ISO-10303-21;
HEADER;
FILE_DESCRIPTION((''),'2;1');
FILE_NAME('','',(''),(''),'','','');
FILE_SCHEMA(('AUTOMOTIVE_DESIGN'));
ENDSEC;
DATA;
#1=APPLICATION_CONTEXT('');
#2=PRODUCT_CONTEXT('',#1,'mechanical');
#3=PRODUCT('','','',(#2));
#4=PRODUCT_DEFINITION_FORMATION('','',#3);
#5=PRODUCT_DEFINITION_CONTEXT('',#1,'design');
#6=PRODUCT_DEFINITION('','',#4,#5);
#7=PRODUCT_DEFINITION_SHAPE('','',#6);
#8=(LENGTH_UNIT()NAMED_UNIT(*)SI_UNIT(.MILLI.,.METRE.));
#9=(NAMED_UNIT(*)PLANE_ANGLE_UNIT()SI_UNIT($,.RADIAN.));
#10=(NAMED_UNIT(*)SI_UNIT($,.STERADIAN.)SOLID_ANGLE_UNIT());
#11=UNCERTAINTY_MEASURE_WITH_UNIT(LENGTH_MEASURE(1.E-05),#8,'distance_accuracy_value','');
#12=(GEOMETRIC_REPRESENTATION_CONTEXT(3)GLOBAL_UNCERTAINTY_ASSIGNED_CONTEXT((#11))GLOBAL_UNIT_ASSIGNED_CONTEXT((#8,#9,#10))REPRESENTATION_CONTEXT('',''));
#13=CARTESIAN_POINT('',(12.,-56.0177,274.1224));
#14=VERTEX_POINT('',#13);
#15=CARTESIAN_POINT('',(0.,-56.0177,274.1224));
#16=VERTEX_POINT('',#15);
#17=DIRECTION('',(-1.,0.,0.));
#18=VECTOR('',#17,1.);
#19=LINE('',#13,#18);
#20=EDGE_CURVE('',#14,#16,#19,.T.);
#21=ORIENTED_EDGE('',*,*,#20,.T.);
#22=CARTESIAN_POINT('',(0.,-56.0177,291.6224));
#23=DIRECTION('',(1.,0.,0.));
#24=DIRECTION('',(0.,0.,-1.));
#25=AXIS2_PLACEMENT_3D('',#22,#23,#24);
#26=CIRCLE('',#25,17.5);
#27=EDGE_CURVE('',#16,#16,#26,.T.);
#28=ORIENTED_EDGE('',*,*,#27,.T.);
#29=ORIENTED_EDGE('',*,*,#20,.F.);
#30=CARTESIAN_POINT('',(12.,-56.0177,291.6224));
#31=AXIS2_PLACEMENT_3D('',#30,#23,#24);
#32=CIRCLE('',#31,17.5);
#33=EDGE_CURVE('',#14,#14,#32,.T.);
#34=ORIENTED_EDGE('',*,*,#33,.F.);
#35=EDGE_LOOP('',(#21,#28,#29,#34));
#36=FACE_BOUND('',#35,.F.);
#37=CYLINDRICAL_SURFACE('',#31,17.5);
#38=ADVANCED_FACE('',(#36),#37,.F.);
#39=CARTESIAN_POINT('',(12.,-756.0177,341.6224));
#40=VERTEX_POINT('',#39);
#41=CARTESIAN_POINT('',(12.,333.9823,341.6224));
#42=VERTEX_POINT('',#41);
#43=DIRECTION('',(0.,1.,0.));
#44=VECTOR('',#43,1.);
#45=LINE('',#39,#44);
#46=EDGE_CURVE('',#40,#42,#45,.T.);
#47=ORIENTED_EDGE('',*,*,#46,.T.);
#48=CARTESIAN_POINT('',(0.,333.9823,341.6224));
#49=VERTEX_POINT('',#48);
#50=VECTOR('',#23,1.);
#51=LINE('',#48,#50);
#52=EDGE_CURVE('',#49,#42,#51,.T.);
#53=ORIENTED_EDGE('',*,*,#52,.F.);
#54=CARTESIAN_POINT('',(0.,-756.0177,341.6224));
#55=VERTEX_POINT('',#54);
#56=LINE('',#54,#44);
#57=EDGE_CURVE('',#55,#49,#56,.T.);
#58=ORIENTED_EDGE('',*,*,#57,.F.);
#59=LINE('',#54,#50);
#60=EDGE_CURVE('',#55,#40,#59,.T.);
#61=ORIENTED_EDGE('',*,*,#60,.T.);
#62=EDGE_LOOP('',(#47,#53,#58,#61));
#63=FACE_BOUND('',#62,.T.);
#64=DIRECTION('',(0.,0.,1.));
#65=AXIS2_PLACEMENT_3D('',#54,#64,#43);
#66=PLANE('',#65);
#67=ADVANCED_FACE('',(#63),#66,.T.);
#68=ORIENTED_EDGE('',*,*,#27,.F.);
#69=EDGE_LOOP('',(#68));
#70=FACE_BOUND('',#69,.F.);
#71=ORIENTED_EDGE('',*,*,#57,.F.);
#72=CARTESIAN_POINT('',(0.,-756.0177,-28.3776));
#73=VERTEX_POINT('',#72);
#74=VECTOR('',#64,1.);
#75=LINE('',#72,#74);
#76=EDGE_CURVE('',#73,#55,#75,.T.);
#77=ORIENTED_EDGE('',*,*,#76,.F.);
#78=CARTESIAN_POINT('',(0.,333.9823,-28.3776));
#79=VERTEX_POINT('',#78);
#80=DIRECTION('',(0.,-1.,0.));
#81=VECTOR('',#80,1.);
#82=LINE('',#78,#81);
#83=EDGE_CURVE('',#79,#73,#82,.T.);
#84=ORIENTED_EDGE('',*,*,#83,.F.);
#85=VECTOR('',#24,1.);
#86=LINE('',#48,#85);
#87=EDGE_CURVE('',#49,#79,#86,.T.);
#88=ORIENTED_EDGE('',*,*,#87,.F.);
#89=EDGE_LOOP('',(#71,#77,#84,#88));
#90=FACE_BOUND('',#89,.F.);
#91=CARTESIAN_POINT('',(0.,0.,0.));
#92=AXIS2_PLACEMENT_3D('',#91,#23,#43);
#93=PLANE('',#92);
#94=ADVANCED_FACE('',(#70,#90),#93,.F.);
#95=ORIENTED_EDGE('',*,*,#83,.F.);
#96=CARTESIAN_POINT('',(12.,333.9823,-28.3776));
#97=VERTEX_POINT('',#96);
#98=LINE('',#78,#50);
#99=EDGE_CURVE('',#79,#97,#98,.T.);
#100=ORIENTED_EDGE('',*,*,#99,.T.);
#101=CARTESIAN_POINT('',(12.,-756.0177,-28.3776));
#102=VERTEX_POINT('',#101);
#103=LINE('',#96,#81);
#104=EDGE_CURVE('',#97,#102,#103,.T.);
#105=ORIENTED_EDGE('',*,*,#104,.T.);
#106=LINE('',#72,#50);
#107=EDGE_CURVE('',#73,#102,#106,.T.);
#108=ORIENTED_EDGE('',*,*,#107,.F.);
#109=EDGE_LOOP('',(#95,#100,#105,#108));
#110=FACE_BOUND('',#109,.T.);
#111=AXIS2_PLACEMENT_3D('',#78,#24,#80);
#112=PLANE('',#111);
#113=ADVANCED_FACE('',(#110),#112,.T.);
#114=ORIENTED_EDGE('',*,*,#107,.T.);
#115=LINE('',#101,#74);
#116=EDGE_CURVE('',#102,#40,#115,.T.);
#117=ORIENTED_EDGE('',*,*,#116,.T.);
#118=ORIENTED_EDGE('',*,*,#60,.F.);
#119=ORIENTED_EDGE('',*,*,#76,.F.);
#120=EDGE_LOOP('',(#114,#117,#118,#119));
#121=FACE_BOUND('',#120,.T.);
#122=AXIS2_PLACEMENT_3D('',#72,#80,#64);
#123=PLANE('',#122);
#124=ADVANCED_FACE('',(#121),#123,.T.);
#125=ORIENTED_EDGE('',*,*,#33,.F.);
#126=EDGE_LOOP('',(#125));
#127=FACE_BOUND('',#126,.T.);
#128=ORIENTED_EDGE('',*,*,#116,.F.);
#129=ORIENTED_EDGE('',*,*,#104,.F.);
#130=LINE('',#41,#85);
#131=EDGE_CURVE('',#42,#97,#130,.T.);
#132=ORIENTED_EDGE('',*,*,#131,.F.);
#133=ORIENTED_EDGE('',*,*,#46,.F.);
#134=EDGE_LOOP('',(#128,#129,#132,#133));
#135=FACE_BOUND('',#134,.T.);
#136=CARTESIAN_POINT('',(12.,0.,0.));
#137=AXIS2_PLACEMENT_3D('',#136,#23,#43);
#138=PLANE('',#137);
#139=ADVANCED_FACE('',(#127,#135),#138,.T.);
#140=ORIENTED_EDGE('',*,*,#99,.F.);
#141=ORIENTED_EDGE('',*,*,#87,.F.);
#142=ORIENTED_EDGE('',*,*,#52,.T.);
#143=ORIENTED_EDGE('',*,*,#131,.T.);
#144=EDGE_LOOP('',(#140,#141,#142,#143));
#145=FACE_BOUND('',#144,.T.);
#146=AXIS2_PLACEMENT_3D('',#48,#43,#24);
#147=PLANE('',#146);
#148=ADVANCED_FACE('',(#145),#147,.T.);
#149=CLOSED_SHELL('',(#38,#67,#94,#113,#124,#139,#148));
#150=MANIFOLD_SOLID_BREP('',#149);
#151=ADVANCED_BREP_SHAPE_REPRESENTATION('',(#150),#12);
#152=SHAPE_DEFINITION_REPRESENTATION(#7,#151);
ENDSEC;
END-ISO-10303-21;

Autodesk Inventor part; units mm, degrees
ref_plane "YZ Plane" through (0, 0, 0) normal (1, 0, 0) x (0, 1, 0)
ref_plane "XZ Plane" through (0, 0, 0) normal (0, 1, 0) x (-1, 0, 0)
ref_plane "XY Plane" through (0, 0, 0) normal (0, 0, 1) x (1, 0, 0)
sketch "Sketch1" plane through (0, 0, 0) normal (1, 0, 0) x (0, 1, 0)
  line L0 (-756.0177, 341.6224) -> (333.9823, 341.6224)
  line L1 (333.9823, 341.6224) -> (333.9823, -28.3776)
  line L2 (333.9823, -28.3776) -> (-756.0177, -28.3776)
  line L3 (-756.0177, -28.3776) -> (-756.0177, 341.6224)
  point P0 (0, 0)
  dimension "d0" = 370
  dimension "d1" = 1090
extrude "Extrusion1" add sketch "Sketch1" along normal blind 12
sketch "Sketch2" plane through (12, 0, 0) normal (1, 0, 0) x (0, 0, -1)
  line L0 (28.3776, -756.0177) -> (28.3776, 333.9823) projected
  line L1 (28.3776, 333.9823) -> (-341.6224, 333.9823) projected
  line L2 (-341.6224, 333.9823) -> (-341.6224, -756.0177) projected
  line L3 (-341.6224, -756.0177) -> (28.3776, -756.0177) projected
  circle A0 centre (-291.6224, -56.0177) radius 17.5
  dimension "d4" = 35
  dimension "d5" = 50
  dimension "d6" = 700
extrude "Extrusion2" cut sketch "Sketch2" against normal up to next contours A0
properties part number "CUT PART R-01" material "Wood (Birch)"
